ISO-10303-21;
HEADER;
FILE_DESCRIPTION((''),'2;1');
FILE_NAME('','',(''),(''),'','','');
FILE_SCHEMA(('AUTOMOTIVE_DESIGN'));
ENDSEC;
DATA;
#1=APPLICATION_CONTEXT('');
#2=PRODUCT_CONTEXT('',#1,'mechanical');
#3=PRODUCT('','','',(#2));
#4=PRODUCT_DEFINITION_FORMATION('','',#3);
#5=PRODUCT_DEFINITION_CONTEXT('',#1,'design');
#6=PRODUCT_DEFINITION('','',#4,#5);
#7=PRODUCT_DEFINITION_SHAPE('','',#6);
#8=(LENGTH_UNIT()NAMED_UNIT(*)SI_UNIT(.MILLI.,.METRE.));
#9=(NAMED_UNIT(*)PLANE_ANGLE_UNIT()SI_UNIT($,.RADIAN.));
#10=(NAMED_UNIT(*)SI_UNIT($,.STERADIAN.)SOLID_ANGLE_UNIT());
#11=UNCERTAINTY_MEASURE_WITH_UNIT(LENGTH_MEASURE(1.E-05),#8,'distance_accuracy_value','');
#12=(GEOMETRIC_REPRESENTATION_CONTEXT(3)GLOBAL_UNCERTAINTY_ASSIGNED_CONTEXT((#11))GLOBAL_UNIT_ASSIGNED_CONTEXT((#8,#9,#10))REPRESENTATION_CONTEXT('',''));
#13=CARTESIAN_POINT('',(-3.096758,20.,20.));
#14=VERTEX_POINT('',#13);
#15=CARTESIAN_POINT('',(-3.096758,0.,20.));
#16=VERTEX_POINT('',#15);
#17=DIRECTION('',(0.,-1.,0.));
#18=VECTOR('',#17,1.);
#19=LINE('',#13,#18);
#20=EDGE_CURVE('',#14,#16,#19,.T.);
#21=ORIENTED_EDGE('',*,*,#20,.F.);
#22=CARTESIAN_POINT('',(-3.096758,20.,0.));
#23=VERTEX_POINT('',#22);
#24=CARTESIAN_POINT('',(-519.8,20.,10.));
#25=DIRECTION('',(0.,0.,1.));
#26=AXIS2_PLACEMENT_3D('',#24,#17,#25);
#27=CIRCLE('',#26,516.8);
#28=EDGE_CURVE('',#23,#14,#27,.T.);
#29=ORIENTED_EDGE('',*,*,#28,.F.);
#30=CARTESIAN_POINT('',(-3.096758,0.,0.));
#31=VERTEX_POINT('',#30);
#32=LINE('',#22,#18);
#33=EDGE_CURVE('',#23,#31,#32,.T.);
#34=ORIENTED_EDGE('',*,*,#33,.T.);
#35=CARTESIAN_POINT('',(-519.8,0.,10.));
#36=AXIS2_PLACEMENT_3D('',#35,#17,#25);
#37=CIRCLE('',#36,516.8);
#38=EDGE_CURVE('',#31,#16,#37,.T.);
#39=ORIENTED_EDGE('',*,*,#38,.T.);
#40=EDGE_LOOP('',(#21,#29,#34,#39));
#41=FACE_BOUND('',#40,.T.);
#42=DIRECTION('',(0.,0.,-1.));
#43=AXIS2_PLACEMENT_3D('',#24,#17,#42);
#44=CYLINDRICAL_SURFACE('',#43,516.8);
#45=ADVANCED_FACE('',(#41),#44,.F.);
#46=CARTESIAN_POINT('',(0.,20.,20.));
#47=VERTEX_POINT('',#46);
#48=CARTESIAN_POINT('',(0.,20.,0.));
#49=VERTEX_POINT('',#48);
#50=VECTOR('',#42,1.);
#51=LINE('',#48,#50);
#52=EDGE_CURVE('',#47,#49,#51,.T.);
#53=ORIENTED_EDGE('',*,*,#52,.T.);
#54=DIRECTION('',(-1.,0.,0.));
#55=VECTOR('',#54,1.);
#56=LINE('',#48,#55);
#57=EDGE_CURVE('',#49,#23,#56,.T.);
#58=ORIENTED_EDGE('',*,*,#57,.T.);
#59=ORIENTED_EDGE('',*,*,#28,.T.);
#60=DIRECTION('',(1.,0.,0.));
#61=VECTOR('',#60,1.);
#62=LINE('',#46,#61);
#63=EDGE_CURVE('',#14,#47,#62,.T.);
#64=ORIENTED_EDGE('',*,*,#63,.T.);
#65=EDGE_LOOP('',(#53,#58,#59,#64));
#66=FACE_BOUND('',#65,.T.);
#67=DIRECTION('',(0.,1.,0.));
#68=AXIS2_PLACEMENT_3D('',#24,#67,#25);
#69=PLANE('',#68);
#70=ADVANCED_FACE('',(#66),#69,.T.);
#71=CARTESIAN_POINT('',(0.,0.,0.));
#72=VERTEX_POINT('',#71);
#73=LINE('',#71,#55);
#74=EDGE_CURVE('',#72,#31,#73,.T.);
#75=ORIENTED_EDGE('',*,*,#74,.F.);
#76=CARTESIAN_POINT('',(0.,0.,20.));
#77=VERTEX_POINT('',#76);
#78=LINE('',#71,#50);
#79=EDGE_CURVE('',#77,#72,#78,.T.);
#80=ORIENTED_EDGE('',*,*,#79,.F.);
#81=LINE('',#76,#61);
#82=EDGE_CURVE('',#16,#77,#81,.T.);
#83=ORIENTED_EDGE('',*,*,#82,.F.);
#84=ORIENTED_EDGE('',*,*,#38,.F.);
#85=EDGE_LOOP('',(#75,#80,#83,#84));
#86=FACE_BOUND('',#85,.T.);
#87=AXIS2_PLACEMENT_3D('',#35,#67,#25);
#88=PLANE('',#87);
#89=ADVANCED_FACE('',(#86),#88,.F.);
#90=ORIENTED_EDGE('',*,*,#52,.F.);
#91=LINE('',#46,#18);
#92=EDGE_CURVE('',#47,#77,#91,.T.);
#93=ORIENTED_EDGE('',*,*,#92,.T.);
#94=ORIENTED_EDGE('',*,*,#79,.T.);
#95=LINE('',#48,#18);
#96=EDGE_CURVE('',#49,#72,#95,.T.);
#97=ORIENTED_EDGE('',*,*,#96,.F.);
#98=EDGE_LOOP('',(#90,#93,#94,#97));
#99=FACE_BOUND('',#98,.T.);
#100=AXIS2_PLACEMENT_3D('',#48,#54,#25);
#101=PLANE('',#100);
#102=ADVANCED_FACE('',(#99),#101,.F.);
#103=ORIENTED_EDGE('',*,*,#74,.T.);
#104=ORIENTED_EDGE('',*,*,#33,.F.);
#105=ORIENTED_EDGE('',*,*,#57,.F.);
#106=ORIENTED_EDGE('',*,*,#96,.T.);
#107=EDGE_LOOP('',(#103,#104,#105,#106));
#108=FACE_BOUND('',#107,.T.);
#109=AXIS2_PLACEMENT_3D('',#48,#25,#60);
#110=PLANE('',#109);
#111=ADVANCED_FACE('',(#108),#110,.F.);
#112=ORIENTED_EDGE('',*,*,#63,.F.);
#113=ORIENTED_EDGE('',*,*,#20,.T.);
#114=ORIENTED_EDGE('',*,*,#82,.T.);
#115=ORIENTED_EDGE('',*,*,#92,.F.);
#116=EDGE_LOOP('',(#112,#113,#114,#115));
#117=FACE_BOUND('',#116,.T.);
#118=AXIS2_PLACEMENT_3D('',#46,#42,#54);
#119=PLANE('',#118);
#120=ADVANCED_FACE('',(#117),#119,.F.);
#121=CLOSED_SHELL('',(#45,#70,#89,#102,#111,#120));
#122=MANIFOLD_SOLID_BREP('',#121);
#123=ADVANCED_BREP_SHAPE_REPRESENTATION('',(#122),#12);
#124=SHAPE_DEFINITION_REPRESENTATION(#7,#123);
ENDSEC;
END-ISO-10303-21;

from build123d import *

# Parameters (mm, degrees)
EXTRUDE_1_DEPTH = 20


with BuildPart() as part:
    # 草图1 → 凸台-拉伸1 (new body)
    with BuildSketch(Plane(origin=(0, 0, 0), x_dir=(1, 0, 0), z_dir=(0, 1, 0))):
        with BuildLine():
            Line((0, 0), (0, -20))
            Line((0, -20), (-3.096758284, -20))
            ThreePointArc((-3.096758284, -20), (-3, -10), (-3.096758284, 0))
            Line((-3.096758284, 0), (0, 0))
        make_face()
    extrude(amount=EXTRUDE_1_DEPTH)


solid = part.part
